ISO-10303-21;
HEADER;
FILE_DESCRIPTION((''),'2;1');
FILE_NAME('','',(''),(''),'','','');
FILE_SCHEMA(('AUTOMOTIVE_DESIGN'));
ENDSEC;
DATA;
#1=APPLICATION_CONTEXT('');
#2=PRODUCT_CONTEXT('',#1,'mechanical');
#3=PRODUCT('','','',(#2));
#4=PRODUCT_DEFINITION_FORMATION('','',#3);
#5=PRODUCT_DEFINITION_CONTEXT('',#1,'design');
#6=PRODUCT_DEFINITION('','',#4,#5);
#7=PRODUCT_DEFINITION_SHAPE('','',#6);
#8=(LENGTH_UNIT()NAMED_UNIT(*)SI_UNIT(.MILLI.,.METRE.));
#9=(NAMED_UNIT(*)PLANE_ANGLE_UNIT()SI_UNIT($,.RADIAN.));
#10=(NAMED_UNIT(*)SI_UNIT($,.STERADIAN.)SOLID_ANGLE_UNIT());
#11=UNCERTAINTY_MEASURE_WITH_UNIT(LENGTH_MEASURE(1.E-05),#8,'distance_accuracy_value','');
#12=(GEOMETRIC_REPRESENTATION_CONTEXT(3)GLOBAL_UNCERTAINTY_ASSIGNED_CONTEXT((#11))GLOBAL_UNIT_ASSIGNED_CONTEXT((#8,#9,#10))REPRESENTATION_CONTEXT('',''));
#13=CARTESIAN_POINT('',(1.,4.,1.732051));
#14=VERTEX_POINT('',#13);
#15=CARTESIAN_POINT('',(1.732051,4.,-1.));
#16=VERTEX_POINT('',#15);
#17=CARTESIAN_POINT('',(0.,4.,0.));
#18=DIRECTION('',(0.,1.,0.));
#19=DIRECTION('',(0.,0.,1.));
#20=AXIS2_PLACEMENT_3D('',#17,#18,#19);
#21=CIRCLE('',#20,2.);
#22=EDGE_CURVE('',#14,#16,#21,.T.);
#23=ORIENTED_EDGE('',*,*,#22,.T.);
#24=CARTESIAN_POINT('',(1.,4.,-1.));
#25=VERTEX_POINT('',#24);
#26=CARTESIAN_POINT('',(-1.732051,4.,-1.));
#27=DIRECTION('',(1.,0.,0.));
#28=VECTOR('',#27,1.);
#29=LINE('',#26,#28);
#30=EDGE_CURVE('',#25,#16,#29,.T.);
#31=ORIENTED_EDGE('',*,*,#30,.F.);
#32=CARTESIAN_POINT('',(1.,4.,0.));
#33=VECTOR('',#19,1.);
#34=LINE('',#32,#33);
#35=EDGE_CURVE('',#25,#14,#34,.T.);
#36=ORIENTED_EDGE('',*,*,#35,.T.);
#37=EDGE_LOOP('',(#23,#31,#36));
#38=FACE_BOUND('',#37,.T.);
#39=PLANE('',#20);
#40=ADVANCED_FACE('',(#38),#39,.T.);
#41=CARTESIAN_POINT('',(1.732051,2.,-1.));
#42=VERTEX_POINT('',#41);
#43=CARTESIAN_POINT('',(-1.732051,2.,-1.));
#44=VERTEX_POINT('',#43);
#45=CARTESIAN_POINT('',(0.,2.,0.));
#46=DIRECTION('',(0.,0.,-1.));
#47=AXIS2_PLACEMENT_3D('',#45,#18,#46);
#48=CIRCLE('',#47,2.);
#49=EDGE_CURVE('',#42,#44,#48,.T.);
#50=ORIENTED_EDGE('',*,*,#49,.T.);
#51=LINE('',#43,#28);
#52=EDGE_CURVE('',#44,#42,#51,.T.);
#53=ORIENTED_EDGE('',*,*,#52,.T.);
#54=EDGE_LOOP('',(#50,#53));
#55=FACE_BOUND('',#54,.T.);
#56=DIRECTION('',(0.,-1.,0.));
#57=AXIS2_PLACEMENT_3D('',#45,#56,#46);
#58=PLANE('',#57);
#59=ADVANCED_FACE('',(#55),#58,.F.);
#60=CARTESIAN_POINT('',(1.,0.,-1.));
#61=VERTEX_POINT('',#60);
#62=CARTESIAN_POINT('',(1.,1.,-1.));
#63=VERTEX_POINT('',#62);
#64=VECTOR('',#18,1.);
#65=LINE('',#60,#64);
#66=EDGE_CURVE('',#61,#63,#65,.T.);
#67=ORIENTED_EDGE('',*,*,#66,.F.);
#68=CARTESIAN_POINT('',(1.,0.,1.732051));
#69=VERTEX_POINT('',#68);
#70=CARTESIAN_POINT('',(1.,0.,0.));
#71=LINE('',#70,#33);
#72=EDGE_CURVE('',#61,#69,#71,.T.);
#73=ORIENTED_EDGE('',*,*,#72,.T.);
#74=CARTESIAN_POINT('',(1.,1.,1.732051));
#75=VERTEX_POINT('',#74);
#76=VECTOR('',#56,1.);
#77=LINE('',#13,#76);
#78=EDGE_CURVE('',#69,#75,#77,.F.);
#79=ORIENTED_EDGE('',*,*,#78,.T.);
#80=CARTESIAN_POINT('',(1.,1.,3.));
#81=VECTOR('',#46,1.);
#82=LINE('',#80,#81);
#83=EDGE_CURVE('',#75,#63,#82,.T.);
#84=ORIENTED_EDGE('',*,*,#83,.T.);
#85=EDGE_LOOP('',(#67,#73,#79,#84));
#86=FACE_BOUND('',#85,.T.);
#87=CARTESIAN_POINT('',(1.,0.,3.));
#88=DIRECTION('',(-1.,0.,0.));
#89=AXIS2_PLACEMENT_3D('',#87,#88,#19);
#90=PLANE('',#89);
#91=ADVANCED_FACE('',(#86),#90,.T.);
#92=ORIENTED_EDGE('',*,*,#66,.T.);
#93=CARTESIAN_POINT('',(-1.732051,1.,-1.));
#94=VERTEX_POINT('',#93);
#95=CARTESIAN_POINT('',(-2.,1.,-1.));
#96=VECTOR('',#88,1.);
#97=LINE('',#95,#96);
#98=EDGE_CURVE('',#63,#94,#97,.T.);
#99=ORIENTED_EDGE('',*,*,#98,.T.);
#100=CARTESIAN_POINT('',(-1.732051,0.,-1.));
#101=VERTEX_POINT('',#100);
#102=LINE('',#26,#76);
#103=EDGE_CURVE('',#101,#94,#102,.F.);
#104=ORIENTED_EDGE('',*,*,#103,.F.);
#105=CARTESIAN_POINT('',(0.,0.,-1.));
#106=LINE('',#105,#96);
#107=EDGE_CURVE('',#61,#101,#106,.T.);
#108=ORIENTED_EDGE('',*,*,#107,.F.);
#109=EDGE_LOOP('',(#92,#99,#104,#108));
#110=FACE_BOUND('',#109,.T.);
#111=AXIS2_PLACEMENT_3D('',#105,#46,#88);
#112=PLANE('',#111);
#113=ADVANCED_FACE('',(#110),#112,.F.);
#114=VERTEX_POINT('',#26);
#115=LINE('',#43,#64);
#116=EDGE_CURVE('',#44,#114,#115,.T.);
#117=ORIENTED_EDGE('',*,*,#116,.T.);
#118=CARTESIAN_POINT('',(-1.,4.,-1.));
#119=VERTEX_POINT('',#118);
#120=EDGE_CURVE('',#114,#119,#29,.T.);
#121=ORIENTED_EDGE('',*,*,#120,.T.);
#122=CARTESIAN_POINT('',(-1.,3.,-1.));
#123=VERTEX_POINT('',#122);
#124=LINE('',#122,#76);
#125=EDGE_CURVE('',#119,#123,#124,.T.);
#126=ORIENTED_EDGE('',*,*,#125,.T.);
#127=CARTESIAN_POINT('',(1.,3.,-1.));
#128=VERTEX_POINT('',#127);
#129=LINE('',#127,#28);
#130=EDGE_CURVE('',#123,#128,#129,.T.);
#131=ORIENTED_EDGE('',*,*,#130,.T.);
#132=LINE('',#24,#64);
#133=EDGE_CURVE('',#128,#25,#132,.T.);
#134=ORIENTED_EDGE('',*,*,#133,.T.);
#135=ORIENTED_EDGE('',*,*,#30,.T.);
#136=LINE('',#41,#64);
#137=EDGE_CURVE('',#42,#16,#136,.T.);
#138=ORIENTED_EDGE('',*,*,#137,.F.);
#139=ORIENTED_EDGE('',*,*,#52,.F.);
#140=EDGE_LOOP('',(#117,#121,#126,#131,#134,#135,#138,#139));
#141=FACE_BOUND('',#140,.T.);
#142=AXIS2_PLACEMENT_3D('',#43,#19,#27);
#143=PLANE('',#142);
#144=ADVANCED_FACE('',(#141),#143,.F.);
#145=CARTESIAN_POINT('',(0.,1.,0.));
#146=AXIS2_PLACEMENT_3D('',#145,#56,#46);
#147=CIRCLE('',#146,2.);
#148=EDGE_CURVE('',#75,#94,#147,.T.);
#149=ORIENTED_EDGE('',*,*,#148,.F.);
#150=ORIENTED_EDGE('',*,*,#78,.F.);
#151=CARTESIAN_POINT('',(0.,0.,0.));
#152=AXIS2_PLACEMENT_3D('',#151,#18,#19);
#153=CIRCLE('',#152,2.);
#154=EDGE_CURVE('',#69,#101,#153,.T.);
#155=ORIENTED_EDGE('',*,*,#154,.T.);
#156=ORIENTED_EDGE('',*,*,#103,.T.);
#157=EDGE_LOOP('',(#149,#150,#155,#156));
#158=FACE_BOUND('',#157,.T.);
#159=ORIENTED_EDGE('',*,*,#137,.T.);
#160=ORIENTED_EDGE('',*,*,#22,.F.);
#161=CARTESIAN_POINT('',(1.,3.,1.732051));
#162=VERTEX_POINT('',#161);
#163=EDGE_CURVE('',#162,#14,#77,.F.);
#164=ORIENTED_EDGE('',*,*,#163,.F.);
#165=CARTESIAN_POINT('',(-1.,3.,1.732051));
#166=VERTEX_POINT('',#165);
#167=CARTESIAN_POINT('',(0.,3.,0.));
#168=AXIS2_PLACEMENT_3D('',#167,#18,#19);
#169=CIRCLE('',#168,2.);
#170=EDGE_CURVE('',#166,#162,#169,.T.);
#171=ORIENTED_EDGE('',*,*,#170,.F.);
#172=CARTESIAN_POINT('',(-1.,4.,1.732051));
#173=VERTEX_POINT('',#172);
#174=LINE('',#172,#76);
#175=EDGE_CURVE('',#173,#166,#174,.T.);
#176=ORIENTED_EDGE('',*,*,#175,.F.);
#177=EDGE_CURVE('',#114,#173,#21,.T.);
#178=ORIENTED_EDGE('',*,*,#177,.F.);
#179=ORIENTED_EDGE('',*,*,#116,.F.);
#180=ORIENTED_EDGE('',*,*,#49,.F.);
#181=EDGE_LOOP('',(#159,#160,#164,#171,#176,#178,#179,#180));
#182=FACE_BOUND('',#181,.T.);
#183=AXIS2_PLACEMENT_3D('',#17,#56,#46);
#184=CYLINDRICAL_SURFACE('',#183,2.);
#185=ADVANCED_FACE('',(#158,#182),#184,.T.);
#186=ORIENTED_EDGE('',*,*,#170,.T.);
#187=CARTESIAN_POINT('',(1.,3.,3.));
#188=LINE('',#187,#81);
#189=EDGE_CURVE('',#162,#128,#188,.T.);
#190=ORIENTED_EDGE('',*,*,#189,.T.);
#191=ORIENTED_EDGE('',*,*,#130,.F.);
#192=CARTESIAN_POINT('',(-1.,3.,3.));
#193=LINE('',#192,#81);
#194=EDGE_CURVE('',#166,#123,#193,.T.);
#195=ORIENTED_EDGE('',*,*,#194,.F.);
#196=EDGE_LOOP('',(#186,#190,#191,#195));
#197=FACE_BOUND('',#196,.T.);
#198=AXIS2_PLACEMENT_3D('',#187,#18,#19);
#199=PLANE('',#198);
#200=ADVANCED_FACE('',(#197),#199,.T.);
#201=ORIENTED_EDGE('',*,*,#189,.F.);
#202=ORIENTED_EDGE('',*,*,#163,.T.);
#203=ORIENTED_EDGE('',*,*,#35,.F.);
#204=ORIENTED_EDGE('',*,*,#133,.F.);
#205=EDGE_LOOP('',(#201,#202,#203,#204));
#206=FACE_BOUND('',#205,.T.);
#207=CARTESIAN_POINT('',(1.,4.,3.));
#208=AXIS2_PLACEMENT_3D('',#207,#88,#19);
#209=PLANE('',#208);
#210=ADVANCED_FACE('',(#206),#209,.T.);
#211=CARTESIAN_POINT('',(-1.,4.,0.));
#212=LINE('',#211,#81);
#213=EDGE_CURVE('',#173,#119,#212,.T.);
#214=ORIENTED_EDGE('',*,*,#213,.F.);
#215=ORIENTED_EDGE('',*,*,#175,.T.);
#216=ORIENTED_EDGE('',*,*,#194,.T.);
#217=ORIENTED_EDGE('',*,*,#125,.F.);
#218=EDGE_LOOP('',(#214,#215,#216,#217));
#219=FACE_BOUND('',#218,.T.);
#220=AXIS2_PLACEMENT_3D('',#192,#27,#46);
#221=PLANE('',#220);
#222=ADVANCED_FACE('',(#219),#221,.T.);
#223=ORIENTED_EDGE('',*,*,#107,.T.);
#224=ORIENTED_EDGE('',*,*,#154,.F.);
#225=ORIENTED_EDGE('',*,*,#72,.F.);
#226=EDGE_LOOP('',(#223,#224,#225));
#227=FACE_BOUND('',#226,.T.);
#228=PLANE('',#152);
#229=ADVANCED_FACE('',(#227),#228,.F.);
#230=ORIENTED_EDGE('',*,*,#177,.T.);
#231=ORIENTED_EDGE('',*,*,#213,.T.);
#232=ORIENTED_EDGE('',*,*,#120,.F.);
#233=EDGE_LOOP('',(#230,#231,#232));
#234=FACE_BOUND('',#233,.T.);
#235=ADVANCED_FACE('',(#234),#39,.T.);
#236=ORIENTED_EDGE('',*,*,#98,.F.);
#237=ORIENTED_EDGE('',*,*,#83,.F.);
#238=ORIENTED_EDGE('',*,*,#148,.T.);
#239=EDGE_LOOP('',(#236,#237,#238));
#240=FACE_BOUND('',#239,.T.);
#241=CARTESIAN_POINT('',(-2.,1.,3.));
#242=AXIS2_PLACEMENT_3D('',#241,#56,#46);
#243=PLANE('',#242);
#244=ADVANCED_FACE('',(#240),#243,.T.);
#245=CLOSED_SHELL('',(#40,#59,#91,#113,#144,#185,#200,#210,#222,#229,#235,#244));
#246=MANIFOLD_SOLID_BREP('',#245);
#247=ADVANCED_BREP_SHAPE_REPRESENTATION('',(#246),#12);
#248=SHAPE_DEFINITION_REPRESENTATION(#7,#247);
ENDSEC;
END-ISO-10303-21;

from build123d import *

# Parameters (mm, degrees)
SKETCH1_R               = 2
BOSS_EXTRUDE1_DEPTH     = 4
SKETCH2_W               = 2
SKETCH2_H               = 1
SKETCH2_W_2             = 3
CUT_EXTRUDE1_DEPTH      = 3
CUT_EXTRUDE1_DEPTH_BACK = 1
CUT_EXTRUDE2_DEPTH      = 2


with BuildPart() as part:
    # Sketch1 → Boss-Extrude1 (new body)
    with BuildSketch(Plane(origin=(0, 0, 0), x_dir=(1, 0, 0), z_dir=(0, 1, 0))):
        Circle(SKETCH1_R)
    extrude(amount=BOSS_EXTRUDE1_DEPTH)

    # Sketch2 → Cut-Extrude1 (cut, two sides)
    with BuildSketch(Plane.XY) as cut_extrude1_sk:
        with Locations((0, 3.5)):
            Rectangle(SKETCH2_W, SKETCH2_H)
        with Locations((-0.5, 0.5)):
            Rectangle(SKETCH2_W_2, SKETCH2_H)
    extrude(amount=CUT_EXTRUDE1_DEPTH, mode=Mode.SUBTRACT)
    extrude(cut_extrude1_sk.sketch, amount=-CUT_EXTRUDE1_DEPTH_BACK, mode=Mode.SUBTRACT)

    # Sketch3 → Cut-Extrude2 (cut)
    with BuildSketch(Plane(origin=(0, 4, 0), x_dir=(1, 0, 0), z_dir=(0, 1, 0))):
        with BuildLine():
            Line((-1.732050808, 1), (1.732050808, 1))
            ThreePointArc((1.732050808, 1), (0, 2), (-1.732050808, 1))
        make_face()
    extrude(amount=-CUT_EXTRUDE2_DEPTH, mode=Mode.SUBTRACT)


solid = part.part
